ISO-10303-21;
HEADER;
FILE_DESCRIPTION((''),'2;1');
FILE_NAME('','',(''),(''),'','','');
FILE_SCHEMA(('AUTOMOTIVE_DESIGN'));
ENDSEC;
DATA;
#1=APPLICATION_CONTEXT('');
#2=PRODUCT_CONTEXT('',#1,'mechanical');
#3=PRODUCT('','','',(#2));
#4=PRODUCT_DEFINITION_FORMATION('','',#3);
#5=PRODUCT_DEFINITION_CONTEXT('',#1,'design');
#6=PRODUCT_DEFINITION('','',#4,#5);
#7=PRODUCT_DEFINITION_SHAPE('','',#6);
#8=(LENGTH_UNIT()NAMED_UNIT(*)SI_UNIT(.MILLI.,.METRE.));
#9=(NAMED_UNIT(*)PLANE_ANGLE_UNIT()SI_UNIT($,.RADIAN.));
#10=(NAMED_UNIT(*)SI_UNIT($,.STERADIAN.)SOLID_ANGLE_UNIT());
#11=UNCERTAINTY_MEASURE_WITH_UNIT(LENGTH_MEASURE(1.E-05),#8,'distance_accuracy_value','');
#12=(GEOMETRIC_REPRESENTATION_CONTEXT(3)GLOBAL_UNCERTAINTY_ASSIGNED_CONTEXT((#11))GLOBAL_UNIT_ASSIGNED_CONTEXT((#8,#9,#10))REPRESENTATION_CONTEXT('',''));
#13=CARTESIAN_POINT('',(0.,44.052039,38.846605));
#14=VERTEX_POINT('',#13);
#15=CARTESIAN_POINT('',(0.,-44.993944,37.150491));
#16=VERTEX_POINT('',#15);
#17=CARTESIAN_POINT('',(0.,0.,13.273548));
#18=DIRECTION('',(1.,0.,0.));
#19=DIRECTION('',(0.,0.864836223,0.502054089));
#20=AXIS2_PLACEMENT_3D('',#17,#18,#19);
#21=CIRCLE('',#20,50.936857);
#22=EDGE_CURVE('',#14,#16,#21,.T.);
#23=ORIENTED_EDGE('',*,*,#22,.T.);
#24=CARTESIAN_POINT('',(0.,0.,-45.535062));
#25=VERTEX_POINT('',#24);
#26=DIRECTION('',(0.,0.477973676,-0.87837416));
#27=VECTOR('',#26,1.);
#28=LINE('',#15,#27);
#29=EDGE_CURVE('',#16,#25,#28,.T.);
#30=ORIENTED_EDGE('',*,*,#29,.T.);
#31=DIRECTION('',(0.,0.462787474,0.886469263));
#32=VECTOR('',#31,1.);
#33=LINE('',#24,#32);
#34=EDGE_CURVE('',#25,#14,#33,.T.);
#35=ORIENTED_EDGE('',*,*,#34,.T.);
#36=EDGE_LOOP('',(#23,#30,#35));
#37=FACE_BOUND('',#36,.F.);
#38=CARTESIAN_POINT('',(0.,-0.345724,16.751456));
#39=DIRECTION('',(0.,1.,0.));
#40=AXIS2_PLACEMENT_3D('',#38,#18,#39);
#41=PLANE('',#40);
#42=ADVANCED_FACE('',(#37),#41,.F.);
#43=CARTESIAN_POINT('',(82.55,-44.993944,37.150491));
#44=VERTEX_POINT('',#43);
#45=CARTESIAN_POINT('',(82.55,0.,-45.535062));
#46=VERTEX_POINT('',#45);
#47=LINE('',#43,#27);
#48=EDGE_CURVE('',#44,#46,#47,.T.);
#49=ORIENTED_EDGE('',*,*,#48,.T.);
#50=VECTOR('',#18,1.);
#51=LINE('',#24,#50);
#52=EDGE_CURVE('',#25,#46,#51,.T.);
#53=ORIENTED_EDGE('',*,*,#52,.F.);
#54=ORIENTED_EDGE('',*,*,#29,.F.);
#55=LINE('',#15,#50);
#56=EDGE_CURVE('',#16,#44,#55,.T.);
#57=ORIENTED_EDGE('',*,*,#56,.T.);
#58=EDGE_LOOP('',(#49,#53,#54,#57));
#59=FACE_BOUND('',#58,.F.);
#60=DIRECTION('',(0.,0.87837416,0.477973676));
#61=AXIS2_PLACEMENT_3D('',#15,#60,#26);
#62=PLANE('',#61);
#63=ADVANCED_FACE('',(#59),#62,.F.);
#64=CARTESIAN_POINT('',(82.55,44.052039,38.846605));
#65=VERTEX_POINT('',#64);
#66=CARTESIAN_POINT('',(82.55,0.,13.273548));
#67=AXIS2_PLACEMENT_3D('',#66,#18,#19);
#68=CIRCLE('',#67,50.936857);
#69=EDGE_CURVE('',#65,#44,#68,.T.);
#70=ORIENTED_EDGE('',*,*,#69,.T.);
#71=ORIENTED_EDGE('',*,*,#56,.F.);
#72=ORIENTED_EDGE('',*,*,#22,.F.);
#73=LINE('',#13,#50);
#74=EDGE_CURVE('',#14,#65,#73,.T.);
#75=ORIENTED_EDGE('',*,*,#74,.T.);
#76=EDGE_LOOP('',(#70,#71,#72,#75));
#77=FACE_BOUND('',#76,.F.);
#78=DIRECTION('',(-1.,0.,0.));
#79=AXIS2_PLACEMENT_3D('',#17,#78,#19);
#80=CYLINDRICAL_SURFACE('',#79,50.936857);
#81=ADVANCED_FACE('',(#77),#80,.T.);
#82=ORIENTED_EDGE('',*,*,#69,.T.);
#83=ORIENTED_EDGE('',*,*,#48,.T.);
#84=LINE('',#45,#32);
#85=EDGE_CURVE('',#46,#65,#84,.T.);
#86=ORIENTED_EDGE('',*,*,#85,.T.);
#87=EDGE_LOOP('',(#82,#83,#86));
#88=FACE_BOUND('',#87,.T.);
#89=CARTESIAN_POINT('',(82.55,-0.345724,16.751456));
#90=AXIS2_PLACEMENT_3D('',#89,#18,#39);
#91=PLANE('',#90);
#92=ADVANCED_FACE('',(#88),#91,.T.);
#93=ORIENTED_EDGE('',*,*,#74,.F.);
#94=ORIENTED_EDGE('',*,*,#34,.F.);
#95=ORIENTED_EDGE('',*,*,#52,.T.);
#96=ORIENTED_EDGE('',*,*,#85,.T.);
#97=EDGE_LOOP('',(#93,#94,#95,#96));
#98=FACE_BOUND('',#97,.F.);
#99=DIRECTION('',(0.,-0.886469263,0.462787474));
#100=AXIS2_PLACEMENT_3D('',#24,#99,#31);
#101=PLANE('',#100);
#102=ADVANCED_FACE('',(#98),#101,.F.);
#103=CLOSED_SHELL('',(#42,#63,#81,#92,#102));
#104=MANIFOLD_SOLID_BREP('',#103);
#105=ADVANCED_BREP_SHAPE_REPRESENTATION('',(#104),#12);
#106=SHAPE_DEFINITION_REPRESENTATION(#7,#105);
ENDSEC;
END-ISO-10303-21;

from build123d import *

# Parameters (mm, degrees)
F1_DEPTH = 82.55


with BuildPart() as f1:
    # F0 (on Right) → F1 (new body)
    with BuildSketch(Plane.YZ):
        with BuildLine():
            Line((0, -45.535062), (44.052039, 38.846605))
            ThreePointArc((44.052039, 38.846605), (-0.97005, 64.201167), (-44.993944, 37.150491))
            Line((-44.993944, 37.150491), (0, -45.535062))
        make_face()
    extrude(amount=F1_DEPTH)


solid = f1.part
